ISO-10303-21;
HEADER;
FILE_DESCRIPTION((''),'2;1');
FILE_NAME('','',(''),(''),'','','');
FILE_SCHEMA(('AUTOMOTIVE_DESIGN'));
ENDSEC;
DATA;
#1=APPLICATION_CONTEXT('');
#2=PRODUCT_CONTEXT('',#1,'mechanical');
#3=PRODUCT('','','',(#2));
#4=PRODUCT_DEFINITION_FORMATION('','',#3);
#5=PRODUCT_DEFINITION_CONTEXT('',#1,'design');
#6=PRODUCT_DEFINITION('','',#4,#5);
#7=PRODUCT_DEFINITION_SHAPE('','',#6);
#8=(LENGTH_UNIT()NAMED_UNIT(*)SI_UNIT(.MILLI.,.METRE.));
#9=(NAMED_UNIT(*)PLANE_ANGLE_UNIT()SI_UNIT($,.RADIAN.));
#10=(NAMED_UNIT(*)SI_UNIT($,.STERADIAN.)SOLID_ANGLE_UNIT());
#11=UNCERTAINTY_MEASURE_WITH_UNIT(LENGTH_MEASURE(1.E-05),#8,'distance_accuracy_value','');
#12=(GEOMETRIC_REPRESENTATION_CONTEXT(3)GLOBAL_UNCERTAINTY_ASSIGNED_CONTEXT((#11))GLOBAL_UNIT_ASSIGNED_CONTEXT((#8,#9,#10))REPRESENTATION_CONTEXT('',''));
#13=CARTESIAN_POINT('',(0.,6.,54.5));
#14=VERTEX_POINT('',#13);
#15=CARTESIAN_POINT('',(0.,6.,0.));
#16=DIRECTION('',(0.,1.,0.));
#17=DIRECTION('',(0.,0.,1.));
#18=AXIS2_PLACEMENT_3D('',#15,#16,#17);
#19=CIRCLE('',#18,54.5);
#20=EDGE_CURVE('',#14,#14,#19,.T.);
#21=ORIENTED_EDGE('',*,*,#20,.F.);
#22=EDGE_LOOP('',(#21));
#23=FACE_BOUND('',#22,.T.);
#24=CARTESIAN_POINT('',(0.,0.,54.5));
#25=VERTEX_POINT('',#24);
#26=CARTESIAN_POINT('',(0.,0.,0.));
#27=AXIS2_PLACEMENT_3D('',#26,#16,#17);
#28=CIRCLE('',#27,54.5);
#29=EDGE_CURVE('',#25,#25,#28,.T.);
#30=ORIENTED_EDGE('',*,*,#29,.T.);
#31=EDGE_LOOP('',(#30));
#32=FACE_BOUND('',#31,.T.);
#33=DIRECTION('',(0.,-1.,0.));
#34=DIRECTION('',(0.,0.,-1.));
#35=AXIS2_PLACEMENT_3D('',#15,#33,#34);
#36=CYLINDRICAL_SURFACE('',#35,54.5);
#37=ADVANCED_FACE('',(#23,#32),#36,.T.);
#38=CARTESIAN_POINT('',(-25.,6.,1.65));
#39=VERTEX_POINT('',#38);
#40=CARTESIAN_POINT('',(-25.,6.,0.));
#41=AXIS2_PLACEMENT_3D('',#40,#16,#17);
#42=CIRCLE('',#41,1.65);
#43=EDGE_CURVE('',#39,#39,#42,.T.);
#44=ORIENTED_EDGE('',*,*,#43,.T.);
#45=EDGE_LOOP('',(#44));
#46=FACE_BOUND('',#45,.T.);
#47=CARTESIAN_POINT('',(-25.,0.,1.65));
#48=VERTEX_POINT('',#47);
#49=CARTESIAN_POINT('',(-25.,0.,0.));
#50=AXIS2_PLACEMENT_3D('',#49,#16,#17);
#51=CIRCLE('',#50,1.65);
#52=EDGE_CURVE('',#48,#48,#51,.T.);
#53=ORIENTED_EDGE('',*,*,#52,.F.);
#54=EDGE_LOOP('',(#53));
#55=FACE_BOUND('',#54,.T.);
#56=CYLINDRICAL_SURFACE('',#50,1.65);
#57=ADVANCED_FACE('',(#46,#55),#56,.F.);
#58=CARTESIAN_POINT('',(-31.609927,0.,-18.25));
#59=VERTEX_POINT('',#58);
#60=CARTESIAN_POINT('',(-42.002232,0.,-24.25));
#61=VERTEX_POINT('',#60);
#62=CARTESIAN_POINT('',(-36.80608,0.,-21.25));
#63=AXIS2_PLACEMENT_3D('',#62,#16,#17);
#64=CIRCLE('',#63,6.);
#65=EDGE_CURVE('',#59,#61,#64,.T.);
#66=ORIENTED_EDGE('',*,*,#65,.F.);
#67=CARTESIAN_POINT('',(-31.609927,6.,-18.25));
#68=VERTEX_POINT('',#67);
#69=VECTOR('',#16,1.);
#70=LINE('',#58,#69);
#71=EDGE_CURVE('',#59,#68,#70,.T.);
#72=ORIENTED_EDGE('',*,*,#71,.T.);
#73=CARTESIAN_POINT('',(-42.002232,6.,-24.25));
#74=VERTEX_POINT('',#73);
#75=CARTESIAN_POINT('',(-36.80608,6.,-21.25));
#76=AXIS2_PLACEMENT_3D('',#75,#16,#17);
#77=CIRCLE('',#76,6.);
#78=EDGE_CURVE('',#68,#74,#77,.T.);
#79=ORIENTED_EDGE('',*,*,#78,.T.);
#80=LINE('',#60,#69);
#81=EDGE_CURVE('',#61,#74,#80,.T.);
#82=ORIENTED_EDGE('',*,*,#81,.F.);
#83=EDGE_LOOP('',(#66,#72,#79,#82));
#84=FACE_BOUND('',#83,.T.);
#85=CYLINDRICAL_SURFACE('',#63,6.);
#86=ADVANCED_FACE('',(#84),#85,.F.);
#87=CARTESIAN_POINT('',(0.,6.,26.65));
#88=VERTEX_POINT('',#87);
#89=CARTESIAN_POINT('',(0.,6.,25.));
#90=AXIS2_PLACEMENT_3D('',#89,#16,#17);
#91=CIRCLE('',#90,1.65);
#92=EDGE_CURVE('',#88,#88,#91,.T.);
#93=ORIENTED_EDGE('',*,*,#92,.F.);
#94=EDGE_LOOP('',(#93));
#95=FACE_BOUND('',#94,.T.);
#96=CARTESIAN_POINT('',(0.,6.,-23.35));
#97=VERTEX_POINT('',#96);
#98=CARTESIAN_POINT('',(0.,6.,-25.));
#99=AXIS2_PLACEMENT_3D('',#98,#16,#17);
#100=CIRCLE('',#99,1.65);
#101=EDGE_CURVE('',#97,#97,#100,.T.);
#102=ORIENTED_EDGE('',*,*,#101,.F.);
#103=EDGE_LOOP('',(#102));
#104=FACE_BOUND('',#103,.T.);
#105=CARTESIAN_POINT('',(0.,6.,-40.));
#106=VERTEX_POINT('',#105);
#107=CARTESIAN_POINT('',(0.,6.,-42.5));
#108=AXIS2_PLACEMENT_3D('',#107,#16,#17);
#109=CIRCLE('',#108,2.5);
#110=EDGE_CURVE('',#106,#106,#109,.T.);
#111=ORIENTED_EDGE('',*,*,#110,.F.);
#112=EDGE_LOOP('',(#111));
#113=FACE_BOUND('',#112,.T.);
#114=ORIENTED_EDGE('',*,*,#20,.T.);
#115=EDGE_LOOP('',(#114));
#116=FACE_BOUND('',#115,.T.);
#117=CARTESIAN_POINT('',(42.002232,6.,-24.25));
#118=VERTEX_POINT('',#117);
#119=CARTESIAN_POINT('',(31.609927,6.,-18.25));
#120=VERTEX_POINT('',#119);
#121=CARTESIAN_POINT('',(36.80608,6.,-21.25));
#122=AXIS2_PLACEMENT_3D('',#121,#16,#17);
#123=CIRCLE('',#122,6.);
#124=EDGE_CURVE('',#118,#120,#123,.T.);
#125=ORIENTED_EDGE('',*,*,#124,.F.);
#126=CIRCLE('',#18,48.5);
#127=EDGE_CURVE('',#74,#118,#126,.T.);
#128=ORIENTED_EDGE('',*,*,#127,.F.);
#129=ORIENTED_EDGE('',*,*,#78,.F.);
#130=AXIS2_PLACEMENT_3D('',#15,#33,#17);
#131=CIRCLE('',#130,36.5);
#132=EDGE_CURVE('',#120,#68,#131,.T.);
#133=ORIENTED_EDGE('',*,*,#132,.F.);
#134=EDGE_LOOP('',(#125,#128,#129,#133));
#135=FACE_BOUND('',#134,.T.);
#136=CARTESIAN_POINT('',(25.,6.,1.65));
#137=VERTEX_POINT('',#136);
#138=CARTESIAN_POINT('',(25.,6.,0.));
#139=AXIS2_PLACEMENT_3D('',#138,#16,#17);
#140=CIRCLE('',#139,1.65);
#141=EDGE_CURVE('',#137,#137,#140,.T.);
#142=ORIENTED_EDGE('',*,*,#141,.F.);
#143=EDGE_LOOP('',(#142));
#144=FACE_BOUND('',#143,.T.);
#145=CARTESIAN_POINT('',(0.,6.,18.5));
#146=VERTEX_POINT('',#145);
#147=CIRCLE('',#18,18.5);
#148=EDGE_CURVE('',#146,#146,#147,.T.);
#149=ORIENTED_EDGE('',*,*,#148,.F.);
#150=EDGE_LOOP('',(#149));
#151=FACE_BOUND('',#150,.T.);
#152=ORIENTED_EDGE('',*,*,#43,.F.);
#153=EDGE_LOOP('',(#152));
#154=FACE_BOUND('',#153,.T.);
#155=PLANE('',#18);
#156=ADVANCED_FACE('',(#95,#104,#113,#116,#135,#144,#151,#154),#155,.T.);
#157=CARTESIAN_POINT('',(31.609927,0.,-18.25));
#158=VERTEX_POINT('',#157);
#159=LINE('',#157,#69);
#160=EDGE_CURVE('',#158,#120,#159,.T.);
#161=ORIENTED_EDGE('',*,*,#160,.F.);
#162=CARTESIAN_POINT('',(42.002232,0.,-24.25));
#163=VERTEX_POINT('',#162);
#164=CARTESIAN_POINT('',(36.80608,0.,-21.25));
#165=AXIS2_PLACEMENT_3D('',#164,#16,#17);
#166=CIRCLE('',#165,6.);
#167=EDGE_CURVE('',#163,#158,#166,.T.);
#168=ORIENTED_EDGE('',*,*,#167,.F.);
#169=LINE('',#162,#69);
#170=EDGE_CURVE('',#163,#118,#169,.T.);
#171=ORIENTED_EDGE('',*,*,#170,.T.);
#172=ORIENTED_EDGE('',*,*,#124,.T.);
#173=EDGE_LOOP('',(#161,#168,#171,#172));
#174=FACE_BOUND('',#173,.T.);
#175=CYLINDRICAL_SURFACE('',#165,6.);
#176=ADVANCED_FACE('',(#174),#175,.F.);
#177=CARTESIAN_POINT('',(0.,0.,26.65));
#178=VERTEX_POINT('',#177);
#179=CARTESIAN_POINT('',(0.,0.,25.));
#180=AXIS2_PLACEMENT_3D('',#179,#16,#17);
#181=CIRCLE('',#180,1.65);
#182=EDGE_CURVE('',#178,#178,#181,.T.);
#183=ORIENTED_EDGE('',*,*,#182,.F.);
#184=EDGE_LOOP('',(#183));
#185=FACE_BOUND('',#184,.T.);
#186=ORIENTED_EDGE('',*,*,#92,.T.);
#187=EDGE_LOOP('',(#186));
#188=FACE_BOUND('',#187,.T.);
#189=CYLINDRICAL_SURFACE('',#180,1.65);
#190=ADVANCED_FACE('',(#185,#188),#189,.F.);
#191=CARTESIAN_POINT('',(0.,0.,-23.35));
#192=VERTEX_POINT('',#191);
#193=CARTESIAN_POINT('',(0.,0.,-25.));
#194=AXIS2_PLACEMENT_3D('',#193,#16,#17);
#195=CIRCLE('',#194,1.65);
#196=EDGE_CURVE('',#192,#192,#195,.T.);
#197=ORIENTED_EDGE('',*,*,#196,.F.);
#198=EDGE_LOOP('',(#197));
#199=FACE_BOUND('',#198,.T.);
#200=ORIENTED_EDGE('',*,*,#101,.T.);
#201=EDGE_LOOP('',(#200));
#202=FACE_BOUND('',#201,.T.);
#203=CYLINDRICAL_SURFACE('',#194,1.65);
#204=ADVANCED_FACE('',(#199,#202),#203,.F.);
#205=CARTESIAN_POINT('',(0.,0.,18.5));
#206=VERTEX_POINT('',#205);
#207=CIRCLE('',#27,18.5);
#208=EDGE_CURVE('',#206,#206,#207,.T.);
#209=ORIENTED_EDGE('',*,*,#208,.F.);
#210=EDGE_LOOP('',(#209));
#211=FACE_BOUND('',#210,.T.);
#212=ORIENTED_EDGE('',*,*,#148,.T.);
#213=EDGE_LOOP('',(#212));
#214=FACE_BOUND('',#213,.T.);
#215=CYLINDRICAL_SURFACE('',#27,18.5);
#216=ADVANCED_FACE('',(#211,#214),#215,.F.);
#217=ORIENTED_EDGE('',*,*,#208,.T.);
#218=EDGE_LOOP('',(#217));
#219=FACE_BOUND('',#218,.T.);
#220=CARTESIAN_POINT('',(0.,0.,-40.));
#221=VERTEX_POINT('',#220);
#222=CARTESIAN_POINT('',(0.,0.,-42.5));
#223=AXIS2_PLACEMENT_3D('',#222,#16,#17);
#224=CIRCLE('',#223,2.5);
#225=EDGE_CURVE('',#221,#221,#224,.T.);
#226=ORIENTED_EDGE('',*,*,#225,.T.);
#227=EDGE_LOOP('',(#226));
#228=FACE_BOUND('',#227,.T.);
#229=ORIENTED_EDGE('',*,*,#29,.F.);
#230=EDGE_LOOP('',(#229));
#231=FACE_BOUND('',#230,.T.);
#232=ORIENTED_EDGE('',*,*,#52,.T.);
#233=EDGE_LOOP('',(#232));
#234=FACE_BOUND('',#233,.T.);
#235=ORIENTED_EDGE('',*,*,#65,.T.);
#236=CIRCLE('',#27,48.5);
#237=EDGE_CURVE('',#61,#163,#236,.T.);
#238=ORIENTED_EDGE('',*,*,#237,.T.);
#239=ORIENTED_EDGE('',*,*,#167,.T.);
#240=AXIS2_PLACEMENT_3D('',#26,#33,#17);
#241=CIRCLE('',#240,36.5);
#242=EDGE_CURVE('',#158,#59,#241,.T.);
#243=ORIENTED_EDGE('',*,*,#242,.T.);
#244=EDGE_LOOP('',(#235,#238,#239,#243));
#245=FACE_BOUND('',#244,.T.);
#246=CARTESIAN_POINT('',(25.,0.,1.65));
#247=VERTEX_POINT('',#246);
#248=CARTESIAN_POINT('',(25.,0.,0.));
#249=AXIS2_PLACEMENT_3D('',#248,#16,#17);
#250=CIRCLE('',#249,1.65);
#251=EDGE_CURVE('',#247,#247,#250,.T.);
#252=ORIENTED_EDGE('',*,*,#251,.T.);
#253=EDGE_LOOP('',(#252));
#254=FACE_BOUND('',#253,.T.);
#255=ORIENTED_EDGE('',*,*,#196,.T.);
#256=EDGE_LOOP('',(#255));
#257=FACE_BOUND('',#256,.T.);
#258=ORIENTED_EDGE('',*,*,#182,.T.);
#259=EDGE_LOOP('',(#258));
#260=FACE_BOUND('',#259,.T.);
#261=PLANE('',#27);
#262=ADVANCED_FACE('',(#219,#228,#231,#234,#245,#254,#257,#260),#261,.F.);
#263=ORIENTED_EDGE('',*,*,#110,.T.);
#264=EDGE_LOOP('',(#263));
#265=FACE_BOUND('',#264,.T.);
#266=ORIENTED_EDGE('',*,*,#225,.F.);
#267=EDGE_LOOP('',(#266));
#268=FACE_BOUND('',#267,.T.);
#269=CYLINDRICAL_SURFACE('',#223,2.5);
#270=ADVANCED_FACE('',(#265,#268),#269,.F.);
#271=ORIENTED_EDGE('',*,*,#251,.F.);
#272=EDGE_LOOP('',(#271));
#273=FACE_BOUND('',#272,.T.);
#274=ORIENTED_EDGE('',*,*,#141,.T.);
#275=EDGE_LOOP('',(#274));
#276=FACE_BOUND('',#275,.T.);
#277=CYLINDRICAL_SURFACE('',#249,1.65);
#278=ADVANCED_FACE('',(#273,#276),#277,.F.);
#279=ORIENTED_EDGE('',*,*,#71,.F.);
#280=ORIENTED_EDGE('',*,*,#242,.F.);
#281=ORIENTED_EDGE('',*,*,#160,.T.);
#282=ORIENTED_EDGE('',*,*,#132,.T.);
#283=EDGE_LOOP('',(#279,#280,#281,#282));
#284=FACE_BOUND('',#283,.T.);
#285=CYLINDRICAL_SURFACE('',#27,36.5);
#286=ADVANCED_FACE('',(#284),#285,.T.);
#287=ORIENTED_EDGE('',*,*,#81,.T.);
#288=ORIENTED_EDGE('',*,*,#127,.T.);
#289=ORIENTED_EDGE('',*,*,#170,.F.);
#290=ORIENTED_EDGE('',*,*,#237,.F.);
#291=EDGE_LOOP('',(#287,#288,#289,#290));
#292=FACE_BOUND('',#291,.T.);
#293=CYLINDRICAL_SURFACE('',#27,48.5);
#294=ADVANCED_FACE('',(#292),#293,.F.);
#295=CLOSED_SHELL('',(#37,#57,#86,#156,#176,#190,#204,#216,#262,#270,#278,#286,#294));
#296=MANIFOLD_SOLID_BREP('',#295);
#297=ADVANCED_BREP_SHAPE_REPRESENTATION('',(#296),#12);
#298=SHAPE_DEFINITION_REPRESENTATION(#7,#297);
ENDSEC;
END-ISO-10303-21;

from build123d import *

# Parameters (mm, degrees)
SKETCH_1_R          = 54.5
EXTRUDE_1_DEPTH     = 6
SKETCH_2_R          = 2.5
CUT_EXTRUDE_1_DEPTH = 6
SKETCH_3_R          = 18.5
SKETCH_3_R_2        = 1.65
CUT_EXTRUDE_2_DEPTH = 6


with BuildPart() as part:
    # Эскиз1 → Бобышка-Вытянуть1 (new body)
    with BuildSketch(Plane(origin=(0, 0, 0), x_dir=(1, 0, 0), z_dir=(0, 1, 0))):
        with Locations(Location((0, 0, 0), (0, 0, 270))):
            Circle(SKETCH_1_R)
    extrude(amount=EXTRUDE_1_DEPTH)

    # Эскиз2 → Вырез-Вытянуть1 (cut)
    with BuildSketch(Plane(origin=(0, 6, 0), x_dir=(1, 0, 0), z_dir=(0, 1, 0))):
        with Locations(Location((0, 42.5, 0), (0, 0, 270))):
            Circle(SKETCH_2_R)
        with BuildLine():
            ThreePointArc((-42.002232084, 24.25), (0, -48.5), (42.002232084, 24.25))
            ThreePointArc((42.002232084, 24.25), (33.806079661, 26.446152423), (31.609927238, 18.25))
            ThreePointArc((31.609927238, 18.25), (0, -36.5), (-31.609927238, 18.25))
            ThreePointArc((-31.609927238, 18.25), (-33.806079661, 26.446152423), (-42.002232084, 24.25))
        make_face()
    extrude(amount=-CUT_EXTRUDE_1_DEPTH, mode=Mode.SUBTRACT)

    # Эскиз3 → Вырез-Вытянуть2 (cut)
    with BuildSketch(Plane(origin=(0, 6, 0), x_dir=(1, 0, 0), z_dir=(0, 1, 0))):
        with Locations(Location((0, 0, 0), (0, 0, 270))):
            Circle(SKETCH_3_R)
        with Locations(Location((0, 25, 0), (0, 0, 270))):
            Circle(SKETCH_3_R_2)
        with Locations(Location((-25, 0, 0), (0, 0, 270))):
            Circle(SKETCH_3_R_2)
        with Locations(Location((0, -25, 0), (0, 0, 270))):
            Circle(SKETCH_3_R_2)
        with Locations(Location((25, 0, 0), (0, 0, 270))):
            Circle(SKETCH_3_R_2)
    extrude(amount=-CUT_EXTRUDE_2_DEPTH, mode=Mode.SUBTRACT)


solid = part.part
